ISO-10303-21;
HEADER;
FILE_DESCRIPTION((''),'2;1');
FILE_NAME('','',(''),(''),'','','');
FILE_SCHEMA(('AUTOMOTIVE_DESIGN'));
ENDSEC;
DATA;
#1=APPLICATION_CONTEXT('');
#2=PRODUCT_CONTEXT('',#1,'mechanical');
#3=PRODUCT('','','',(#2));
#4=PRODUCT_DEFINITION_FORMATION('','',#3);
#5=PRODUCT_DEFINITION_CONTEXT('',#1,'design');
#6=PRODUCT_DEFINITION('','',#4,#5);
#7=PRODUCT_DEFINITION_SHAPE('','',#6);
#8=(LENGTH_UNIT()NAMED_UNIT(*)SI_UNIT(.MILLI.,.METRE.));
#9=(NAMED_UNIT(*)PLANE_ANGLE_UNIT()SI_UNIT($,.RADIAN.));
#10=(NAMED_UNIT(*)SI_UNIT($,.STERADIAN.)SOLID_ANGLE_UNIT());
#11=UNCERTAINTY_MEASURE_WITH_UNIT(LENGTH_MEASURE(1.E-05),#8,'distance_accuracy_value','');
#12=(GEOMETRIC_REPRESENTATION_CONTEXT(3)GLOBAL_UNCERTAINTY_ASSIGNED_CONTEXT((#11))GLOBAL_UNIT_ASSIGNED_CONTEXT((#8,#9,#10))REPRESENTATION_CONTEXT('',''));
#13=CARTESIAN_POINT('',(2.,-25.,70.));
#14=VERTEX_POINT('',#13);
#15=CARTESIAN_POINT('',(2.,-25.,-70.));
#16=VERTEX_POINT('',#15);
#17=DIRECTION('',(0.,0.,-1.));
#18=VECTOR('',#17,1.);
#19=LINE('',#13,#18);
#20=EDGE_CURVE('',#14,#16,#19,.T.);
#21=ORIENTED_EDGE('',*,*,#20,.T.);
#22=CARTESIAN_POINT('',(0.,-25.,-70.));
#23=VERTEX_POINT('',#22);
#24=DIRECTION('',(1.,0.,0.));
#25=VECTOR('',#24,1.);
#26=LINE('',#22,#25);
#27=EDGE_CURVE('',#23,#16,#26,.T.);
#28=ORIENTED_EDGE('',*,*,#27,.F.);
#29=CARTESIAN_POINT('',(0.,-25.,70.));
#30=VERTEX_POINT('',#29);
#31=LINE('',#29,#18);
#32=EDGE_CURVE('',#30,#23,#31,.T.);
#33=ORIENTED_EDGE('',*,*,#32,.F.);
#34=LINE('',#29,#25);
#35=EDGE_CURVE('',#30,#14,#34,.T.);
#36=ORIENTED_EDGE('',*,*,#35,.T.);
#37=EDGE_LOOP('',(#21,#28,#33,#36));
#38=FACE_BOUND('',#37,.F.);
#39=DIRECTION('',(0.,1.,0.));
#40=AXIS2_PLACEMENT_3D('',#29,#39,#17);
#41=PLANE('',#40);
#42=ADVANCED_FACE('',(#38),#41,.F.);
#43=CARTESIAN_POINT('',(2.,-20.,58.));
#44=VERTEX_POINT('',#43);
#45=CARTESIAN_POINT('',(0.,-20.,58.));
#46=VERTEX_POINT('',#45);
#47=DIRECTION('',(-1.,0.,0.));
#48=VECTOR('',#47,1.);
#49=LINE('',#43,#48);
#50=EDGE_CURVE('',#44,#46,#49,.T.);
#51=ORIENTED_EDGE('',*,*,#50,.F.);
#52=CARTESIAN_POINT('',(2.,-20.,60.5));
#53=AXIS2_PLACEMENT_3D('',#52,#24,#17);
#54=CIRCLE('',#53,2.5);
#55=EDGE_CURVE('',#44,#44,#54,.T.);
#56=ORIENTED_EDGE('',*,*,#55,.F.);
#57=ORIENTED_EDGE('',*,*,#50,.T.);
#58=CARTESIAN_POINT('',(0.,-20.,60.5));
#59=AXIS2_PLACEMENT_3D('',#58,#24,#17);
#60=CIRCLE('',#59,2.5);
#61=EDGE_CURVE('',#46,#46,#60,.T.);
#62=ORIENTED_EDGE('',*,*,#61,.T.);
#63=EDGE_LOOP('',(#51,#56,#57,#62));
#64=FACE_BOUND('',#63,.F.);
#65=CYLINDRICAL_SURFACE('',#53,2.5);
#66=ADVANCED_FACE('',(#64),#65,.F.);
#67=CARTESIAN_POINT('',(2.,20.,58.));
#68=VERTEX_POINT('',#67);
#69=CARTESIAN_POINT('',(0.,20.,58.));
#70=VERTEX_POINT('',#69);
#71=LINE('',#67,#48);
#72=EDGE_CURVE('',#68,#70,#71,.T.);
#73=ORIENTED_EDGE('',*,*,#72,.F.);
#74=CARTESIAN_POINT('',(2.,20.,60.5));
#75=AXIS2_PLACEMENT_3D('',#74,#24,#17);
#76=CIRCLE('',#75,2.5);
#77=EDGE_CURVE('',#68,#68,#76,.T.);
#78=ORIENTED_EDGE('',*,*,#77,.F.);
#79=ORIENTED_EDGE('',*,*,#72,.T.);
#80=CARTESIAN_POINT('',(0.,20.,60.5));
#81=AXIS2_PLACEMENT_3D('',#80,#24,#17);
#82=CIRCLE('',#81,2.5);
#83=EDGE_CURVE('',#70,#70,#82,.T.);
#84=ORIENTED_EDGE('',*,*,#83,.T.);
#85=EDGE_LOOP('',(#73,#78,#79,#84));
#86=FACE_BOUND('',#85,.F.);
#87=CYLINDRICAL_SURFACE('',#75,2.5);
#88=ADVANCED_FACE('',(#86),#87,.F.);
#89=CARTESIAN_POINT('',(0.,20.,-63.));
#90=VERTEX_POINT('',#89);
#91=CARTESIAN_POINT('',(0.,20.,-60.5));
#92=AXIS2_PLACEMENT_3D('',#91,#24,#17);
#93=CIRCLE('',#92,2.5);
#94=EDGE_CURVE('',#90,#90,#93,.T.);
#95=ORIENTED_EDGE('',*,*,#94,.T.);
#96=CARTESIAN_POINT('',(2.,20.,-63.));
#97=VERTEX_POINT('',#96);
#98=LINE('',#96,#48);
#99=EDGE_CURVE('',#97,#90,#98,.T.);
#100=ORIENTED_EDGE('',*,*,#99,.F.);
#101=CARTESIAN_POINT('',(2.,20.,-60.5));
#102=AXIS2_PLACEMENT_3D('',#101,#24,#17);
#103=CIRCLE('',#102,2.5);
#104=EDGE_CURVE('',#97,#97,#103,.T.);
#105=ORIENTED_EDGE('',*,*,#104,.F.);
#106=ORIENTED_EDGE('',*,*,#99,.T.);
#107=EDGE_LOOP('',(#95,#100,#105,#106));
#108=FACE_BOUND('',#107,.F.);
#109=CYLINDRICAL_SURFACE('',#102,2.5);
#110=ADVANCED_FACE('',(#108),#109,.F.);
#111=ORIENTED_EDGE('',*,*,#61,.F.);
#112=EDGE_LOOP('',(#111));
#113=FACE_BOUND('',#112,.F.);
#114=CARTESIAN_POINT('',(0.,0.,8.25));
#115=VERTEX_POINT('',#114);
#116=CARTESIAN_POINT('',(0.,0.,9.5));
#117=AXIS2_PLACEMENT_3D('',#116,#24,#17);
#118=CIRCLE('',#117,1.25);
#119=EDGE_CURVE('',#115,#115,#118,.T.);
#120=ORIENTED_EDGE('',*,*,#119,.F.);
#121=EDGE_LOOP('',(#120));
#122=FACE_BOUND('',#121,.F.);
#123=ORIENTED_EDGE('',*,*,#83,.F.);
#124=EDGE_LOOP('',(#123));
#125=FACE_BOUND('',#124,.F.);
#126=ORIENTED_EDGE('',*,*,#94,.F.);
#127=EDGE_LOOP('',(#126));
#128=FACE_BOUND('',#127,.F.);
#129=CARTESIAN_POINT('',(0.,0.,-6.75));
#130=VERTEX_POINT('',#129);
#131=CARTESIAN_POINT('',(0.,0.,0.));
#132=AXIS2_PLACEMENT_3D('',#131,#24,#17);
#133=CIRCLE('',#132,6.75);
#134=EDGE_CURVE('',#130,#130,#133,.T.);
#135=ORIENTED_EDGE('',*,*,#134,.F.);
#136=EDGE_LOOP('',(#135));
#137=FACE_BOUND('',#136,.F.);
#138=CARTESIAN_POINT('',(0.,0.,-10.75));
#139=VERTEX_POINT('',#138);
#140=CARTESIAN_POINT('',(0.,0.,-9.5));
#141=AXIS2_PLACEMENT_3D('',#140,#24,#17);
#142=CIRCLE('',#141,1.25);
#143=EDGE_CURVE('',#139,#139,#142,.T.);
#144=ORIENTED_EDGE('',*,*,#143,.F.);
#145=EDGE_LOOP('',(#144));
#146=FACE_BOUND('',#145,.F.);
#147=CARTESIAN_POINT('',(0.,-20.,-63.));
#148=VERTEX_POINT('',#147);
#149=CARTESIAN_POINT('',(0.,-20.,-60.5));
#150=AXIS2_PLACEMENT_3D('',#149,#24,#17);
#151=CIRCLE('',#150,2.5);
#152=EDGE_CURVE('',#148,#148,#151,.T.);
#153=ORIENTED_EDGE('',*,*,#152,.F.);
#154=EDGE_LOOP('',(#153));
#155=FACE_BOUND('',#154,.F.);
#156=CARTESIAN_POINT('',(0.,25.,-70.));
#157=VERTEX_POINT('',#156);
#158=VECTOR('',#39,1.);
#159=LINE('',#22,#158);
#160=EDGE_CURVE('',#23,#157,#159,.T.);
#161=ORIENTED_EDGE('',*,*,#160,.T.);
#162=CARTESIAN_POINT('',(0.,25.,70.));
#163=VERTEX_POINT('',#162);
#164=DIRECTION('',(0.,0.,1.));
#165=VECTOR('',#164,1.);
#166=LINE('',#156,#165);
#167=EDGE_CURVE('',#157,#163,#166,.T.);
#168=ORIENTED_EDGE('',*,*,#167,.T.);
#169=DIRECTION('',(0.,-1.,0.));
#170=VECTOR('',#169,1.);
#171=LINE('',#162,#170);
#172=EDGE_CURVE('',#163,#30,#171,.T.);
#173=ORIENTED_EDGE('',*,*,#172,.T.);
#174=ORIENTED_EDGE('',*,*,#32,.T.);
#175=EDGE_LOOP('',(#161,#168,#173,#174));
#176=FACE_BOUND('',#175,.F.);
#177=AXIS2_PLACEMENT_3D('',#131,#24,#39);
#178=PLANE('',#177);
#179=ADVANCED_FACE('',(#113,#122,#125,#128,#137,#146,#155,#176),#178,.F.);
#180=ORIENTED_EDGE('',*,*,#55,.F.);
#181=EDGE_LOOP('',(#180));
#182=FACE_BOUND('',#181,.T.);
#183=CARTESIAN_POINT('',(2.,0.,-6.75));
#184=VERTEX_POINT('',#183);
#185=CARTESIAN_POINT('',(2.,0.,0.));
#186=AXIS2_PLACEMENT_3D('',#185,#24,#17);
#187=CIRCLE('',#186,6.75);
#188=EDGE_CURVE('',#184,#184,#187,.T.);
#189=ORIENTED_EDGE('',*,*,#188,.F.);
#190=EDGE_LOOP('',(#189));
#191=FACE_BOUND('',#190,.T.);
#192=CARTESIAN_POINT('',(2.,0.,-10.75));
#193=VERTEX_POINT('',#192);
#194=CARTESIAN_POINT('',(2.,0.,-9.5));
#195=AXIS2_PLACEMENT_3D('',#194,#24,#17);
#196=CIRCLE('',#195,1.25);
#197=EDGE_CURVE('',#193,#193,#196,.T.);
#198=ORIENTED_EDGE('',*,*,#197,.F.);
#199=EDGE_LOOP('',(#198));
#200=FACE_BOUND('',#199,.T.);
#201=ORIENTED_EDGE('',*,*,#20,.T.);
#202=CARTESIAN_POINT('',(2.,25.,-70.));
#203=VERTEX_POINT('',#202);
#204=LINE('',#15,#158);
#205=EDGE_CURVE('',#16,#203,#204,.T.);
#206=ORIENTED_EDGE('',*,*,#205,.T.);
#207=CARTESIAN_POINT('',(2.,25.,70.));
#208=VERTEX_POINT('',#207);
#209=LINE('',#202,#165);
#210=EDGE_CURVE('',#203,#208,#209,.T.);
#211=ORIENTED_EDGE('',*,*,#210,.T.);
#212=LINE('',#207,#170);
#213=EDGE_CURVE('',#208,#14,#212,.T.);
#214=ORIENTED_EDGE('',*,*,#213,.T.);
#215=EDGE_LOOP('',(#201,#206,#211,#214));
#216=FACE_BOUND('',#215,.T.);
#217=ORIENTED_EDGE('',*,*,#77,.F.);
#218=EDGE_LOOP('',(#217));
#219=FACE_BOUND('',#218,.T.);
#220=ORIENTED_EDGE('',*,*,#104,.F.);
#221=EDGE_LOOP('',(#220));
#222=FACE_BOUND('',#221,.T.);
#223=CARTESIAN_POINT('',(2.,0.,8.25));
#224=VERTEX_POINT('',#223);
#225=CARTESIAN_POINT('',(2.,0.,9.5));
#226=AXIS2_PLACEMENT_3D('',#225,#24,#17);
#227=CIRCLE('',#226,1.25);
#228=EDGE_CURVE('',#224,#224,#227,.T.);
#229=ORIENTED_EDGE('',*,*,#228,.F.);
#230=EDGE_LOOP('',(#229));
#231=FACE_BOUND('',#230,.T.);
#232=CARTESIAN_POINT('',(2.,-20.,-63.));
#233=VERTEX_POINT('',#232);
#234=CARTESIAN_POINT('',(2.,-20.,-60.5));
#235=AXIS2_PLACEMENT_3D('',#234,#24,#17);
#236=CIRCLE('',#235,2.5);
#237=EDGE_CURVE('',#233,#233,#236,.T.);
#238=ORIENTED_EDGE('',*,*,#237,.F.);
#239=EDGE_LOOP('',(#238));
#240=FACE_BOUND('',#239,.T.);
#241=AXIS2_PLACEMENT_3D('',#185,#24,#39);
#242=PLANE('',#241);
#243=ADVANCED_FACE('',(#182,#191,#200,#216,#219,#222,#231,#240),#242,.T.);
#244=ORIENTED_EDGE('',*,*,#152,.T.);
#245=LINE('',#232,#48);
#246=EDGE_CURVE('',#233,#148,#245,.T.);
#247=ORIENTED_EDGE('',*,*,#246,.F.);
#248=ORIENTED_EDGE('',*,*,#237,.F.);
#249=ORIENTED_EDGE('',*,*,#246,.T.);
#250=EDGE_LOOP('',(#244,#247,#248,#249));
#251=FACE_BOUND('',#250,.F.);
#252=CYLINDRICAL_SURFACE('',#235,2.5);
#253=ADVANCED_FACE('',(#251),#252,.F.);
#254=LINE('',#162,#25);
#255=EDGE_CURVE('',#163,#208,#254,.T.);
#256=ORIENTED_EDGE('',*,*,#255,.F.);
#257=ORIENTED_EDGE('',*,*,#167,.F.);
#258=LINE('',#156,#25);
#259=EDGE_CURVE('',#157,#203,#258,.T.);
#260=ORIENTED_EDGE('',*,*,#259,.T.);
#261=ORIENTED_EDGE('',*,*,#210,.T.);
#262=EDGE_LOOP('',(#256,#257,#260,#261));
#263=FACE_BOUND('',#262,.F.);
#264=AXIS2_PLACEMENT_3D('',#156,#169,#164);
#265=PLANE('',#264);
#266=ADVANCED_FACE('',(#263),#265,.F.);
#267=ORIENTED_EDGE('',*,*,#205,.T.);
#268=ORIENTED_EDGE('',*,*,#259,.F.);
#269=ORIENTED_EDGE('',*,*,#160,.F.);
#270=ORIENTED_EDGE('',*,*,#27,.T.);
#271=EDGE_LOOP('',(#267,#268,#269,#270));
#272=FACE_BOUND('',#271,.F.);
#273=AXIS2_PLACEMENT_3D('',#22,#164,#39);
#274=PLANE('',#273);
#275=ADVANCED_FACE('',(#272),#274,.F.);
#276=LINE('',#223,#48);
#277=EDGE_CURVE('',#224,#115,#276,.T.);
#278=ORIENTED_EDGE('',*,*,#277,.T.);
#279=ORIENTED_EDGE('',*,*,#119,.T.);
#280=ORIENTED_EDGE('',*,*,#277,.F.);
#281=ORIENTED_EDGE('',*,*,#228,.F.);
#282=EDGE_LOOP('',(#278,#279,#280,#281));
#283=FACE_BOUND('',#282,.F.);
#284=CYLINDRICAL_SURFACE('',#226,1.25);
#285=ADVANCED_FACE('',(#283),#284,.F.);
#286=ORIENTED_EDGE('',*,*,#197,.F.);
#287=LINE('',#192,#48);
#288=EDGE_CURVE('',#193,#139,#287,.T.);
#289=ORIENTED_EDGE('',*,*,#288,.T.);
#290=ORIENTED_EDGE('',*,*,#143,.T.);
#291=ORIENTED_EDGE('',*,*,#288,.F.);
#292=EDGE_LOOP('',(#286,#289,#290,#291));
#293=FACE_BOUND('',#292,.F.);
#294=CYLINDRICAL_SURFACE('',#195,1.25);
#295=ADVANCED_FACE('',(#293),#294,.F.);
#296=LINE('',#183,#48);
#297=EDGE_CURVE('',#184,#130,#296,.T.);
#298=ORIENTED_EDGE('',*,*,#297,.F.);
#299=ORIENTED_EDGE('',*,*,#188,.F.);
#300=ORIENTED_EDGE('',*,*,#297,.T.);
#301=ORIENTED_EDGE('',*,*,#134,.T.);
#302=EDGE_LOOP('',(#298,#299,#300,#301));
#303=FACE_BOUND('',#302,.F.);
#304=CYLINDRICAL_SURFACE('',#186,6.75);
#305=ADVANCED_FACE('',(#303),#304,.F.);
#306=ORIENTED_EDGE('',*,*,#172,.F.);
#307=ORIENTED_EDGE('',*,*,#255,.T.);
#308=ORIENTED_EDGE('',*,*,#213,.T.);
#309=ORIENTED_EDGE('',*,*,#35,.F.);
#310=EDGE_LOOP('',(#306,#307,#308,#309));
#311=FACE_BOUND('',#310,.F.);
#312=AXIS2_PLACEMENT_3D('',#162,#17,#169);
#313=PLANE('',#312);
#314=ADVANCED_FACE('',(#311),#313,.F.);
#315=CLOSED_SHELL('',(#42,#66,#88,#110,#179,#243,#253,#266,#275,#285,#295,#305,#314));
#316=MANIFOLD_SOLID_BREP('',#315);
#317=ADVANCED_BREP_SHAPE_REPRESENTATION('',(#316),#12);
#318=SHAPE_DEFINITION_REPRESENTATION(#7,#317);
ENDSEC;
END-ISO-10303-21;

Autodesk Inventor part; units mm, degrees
ref_plane "YZ Plane" through (0, 0, 0) normal (1, 0, 0) x (0, 1, 0)
ref_plane "XZ Plane" through (0, 0, 0) normal (0, 1, 0) x (-1, 0, 0)
ref_plane "XY Plane" through (0, 0, 0) normal (0, 0, 1) x (1, 0, 0)
sketch "Skizze1" plane through (0, 0, 0) normal (1, 0, 0) x (0, 1, 0)
  line L0 (25, 70) -> (-25, 70)
  line L1 (-25, 70) -> (-25, -70)
  line L2 (-25, -70) -> (25, -70)
  line L3 (25, -70) -> (25, 70)
  line L4 (25, 70) -> (-25, -70) construction
  line L5 (-25, 70) -> (25, -70) construction
  point P0 (0, 0)
  dimension "d0" = 140
  dimension "d1" = 50
extrude "Extrusion1" add sketch "Skizze1" along normal blind 2
sketch "Skizze2" plane through (2, 0, 0) normal (1, 0, 0) x (0, 0, -1)
  circle A0 centre (-60.5, 20) radius 2.5
  circle A1 centre (-60.5, -20) radius 2.5
  circle A2 centre (60.5, 20) radius 2.5
  circle A3 centre (60.5, -20) radius 2.5
  point P0 (0, 0)
  dimension "d4" = 5
  dimension "d5" = 5
  dimension "d6" = 5
  dimension "d7" = 5
  dimension "d8" = 121
  dimension "d9" = 60.5
  dimension "d10" = 121
  dimension "d11" = 60.5
  dimension "d12" = 40
  dimension "d13" = 20
extrude "Extrusion2" cut sketch "Skizze2" against normal blind 2
sketch "Skizze3" plane through (2, 0, 0) normal (1, 0, 0) x (0, 0, -1)
  circle A0 centre (0, 0) radius 6.75
  circle A1 centre (9.5, 0) radius 1.25
  circle A2 centre (-9.5, 0) radius 1.25
  dimension "d16" = 2.5
  dimension "d17" = 2.5
  dimension "d18" = 13.5
  dimension "d19" = 19
  dimension "d20" = 9.5
extrude "Extrusion3" cut sketch "Skizze3" against normal blind 2
equation "\"d9\" = 0.5 * d8"
equation "\"d10\" = d8"
equation "\"d11\" = 0.5 * d10"
equation "\"d20\" = 0.5 * d19"
properties part number "Motorhalterplatte"
